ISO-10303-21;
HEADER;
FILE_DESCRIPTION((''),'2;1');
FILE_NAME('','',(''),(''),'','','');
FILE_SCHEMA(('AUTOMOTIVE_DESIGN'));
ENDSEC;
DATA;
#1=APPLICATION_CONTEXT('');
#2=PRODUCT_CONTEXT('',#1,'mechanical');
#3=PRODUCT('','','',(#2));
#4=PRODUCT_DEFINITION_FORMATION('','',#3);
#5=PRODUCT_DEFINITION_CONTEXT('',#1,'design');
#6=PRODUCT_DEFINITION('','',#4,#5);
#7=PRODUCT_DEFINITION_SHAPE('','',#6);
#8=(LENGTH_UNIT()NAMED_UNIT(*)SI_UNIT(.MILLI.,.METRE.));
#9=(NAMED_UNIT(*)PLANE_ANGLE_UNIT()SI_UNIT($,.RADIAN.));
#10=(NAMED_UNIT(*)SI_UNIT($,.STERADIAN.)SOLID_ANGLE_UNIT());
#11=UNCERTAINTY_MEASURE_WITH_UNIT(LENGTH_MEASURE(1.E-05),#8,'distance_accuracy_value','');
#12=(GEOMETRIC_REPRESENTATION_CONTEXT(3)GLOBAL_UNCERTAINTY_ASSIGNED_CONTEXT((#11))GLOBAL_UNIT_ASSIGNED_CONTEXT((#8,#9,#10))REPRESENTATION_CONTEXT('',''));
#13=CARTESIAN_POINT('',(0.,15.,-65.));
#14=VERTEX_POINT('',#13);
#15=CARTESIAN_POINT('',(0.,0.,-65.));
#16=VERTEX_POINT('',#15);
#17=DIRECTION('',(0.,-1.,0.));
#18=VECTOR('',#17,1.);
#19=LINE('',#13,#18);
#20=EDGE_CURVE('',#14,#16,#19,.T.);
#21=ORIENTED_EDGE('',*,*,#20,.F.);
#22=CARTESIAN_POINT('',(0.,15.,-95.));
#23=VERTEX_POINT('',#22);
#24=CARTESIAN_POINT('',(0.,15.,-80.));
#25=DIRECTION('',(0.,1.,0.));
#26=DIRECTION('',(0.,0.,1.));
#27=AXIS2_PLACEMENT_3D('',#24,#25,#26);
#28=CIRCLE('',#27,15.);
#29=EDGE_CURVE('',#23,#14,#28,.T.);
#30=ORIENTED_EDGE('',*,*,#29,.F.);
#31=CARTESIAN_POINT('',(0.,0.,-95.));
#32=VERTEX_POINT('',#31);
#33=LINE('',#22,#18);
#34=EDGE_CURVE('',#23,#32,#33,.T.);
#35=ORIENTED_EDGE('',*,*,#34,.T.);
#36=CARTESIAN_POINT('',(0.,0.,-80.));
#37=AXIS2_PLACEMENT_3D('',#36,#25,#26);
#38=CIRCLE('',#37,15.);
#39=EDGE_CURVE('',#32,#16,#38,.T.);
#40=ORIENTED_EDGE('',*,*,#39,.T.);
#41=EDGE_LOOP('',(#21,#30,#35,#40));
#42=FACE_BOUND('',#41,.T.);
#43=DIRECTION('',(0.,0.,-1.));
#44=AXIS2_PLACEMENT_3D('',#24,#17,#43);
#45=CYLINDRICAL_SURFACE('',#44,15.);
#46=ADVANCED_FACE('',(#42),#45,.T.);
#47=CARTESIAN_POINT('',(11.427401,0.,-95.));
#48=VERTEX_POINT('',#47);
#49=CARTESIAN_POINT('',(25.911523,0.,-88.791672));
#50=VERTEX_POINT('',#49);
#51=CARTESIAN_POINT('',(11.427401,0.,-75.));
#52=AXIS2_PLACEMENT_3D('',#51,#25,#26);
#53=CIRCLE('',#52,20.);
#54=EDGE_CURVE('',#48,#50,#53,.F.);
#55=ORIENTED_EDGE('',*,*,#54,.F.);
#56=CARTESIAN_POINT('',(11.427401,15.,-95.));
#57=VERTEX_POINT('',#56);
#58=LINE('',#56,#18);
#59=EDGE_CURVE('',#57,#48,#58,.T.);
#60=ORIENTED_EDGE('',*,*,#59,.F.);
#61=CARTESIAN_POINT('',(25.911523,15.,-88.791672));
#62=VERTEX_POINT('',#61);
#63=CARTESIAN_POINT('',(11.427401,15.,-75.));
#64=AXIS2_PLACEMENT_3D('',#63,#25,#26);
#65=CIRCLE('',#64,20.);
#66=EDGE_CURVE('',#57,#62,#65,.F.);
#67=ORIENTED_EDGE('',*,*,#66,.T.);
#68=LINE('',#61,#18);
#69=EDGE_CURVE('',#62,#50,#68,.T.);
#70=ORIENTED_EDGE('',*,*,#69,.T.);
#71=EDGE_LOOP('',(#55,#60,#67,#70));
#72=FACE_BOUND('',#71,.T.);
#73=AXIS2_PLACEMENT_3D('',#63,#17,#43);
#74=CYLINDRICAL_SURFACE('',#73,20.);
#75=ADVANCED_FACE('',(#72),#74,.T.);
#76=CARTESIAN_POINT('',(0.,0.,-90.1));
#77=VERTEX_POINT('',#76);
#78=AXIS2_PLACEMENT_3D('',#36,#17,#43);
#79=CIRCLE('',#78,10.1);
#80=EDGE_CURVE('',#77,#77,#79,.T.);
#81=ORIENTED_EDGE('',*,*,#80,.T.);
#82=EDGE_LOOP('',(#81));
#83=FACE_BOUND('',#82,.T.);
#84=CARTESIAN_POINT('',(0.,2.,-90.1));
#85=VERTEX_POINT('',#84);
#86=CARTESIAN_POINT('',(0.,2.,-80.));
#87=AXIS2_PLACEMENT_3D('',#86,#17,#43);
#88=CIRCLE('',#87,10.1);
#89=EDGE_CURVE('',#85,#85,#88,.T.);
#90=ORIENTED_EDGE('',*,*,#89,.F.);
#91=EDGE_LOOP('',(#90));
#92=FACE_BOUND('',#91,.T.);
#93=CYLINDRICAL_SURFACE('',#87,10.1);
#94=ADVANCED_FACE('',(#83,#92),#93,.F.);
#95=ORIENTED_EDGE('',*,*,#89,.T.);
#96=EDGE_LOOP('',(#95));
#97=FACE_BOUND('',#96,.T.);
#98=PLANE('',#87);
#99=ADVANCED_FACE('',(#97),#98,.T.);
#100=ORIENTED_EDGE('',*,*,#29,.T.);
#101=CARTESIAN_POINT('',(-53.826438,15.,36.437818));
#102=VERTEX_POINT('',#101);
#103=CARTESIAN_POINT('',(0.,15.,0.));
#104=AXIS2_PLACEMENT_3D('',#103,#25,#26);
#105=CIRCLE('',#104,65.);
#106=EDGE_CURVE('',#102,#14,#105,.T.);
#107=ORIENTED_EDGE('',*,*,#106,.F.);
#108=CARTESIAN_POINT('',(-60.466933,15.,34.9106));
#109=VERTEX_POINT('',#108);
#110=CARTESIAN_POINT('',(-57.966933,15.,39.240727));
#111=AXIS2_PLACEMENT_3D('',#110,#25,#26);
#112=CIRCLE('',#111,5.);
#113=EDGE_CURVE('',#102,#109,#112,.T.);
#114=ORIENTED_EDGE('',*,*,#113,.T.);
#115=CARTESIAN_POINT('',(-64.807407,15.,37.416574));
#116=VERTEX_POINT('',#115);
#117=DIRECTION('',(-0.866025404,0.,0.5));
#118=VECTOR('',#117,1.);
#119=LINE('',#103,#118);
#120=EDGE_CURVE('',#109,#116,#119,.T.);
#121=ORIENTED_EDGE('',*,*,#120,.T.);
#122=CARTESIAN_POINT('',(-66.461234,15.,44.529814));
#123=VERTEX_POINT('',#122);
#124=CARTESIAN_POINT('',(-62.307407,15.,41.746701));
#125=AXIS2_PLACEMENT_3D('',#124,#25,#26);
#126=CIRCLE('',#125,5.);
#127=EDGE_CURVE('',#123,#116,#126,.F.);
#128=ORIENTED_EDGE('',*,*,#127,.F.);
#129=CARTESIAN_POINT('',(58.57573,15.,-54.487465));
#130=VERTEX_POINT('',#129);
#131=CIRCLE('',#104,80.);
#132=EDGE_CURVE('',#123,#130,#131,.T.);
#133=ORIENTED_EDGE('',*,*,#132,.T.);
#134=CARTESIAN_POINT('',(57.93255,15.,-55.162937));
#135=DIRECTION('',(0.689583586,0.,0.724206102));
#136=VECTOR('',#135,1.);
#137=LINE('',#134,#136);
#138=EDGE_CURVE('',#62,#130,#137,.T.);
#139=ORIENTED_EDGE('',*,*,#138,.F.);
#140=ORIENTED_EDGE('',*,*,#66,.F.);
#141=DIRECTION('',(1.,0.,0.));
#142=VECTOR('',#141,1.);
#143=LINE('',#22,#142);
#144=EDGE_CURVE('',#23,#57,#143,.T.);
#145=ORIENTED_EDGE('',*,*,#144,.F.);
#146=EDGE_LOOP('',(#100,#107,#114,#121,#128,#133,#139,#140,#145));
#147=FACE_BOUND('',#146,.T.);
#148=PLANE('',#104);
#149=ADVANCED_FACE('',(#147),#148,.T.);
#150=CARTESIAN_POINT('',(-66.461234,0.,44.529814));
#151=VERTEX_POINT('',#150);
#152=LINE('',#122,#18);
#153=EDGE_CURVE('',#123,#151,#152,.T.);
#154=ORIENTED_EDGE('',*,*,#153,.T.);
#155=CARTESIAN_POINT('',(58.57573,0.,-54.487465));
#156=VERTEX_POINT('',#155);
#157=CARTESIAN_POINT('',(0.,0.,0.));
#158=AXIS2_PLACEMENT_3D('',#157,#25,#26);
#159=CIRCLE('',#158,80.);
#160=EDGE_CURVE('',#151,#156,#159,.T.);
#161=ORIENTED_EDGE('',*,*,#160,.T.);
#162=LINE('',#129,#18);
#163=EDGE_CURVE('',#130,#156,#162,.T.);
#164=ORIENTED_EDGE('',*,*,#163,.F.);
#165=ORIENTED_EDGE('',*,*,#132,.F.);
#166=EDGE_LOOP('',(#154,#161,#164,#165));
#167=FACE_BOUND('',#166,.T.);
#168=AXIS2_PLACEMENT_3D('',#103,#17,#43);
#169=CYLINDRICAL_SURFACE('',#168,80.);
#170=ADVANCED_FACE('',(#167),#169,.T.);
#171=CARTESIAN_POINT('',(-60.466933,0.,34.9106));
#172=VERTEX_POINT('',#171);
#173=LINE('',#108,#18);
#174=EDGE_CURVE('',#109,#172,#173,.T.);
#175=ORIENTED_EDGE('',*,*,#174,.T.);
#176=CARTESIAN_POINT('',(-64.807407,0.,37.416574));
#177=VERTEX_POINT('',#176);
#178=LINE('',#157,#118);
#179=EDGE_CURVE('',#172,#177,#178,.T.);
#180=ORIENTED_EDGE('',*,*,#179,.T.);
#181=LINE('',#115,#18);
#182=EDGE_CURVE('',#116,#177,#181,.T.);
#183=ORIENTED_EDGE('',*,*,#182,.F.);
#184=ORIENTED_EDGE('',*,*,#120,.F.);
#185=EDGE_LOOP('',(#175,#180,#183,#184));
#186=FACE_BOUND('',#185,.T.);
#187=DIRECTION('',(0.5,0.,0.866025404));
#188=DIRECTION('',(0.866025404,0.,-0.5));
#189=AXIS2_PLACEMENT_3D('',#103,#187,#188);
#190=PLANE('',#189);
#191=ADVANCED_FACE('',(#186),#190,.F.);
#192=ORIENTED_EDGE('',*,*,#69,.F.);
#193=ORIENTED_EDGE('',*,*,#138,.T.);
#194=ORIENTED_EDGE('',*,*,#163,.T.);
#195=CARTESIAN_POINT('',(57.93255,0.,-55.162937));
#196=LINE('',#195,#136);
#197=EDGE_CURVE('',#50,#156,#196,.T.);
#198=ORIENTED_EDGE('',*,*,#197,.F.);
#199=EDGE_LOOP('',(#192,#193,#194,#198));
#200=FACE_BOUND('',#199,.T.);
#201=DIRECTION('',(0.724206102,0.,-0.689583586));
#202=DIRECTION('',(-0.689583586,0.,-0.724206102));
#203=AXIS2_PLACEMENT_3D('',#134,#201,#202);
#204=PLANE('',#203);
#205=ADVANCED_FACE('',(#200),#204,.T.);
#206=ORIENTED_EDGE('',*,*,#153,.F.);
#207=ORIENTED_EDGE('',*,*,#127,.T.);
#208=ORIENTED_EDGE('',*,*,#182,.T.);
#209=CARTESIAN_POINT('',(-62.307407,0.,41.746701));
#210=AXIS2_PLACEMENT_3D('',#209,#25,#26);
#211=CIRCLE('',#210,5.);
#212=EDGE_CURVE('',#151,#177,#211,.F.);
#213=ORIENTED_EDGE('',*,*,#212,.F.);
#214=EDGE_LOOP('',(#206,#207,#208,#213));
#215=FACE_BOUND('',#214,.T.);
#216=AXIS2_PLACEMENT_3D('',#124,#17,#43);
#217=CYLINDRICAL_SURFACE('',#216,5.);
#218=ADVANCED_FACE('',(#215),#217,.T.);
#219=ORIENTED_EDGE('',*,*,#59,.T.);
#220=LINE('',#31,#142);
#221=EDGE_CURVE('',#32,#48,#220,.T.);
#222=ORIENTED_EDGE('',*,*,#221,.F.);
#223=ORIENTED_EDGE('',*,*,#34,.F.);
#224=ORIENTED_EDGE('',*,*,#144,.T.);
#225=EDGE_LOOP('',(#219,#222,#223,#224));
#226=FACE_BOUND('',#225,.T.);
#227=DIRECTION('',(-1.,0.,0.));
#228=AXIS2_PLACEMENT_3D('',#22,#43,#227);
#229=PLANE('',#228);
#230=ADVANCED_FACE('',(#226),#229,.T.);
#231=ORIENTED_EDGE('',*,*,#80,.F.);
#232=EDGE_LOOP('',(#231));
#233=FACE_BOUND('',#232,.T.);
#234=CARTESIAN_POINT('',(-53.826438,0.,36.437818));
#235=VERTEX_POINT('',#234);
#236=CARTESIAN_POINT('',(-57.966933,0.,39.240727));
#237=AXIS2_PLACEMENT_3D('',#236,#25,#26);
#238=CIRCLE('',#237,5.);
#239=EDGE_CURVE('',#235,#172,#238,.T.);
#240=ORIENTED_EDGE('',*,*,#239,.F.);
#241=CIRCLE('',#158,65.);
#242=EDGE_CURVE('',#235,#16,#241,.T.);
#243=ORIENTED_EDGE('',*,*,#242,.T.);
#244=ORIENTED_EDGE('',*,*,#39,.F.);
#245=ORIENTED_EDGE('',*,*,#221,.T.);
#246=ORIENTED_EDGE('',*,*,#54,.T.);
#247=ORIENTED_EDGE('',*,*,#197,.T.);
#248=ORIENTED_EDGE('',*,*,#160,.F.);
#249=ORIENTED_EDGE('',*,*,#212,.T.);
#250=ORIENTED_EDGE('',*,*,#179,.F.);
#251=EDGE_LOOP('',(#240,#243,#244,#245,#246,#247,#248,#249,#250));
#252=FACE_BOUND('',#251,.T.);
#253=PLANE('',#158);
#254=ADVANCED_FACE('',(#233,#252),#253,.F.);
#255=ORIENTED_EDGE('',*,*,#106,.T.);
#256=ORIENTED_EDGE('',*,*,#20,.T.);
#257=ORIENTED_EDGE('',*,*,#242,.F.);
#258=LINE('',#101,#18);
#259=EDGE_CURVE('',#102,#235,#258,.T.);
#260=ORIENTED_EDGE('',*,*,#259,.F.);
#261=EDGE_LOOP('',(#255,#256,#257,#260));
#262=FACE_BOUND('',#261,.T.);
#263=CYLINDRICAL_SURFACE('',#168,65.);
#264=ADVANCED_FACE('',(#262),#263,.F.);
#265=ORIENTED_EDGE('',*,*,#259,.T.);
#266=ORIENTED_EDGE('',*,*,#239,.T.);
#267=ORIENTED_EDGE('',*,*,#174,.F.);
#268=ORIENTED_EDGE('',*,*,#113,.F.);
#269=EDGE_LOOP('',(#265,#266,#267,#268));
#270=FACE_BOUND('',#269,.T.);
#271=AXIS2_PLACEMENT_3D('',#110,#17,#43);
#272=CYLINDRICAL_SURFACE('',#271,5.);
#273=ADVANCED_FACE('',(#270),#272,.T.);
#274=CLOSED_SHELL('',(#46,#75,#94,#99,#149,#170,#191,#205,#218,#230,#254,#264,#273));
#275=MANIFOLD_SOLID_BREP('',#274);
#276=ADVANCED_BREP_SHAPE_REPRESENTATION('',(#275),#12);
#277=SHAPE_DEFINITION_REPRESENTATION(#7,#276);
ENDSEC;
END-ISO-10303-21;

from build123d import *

# Parameters (mm, degrees)
EXTRUDE_4_DEPTH     = 15
SKETCH_3_R          = 10.1
CUT_EXTRUDE_1_DEPTH = 2


with BuildPart() as part:
    # ｽｹｯﾁ2 → ﾎﾞｽ - 押し出し4 (new body)
    with BuildSketch(Plane(origin=(0, 0, 0), x_dir=(1, 0, 0), z_dir=(0, 1, 0))):
        with BuildLine():
            ThreePointArc((-53.82643789, -36.437818048), (-56.846261527, -34.367935813), (-60.466933112, -34.910600109))
            Line((-60.466933112, -34.910600109), (-64.807406984, -37.416573868))
            ThreePointArc((-64.807406984, -37.416573868), (-67.177509772, -40.614402853), (-66.461234116, -44.529814279))
            ThreePointArc((-66.461234116, -44.529814279), (49.665387485, -62.716419588), (58.57572973, 54.487465409))
            Line((58.57572973, 54.487465409), (57.289371136, 55.838409315))
            Line((57.289371136, 55.838409315), (25.911523347, 88.791671712))
            ThreePointArc((25.911523347, 88.791671712), (19.306695871, 93.382511176), (11.427401304, 95))
            Line((11.427401304, 95), (0, 95))
            ThreePointArc((0, 95), (-15, 80), (0, 65))
            ThreePointArc((0, 65), (57.41714976, -30.467538684), (-53.82643789, -36.437818048))
        make_face()
    extrude(amount=EXTRUDE_4_DEPTH)

    # ｽｹｯﾁ3 → ｶｯﾄ - 押し出し1 (cut)
    with BuildSketch(Plane.XZ):
        with Locations(Location((0, -80, 0), (0, 0, 270))):
            Circle(SKETCH_3_R)
    extrude(amount=-CUT_EXTRUDE_1_DEPTH, mode=Mode.SUBTRACT)


solid = part.part
